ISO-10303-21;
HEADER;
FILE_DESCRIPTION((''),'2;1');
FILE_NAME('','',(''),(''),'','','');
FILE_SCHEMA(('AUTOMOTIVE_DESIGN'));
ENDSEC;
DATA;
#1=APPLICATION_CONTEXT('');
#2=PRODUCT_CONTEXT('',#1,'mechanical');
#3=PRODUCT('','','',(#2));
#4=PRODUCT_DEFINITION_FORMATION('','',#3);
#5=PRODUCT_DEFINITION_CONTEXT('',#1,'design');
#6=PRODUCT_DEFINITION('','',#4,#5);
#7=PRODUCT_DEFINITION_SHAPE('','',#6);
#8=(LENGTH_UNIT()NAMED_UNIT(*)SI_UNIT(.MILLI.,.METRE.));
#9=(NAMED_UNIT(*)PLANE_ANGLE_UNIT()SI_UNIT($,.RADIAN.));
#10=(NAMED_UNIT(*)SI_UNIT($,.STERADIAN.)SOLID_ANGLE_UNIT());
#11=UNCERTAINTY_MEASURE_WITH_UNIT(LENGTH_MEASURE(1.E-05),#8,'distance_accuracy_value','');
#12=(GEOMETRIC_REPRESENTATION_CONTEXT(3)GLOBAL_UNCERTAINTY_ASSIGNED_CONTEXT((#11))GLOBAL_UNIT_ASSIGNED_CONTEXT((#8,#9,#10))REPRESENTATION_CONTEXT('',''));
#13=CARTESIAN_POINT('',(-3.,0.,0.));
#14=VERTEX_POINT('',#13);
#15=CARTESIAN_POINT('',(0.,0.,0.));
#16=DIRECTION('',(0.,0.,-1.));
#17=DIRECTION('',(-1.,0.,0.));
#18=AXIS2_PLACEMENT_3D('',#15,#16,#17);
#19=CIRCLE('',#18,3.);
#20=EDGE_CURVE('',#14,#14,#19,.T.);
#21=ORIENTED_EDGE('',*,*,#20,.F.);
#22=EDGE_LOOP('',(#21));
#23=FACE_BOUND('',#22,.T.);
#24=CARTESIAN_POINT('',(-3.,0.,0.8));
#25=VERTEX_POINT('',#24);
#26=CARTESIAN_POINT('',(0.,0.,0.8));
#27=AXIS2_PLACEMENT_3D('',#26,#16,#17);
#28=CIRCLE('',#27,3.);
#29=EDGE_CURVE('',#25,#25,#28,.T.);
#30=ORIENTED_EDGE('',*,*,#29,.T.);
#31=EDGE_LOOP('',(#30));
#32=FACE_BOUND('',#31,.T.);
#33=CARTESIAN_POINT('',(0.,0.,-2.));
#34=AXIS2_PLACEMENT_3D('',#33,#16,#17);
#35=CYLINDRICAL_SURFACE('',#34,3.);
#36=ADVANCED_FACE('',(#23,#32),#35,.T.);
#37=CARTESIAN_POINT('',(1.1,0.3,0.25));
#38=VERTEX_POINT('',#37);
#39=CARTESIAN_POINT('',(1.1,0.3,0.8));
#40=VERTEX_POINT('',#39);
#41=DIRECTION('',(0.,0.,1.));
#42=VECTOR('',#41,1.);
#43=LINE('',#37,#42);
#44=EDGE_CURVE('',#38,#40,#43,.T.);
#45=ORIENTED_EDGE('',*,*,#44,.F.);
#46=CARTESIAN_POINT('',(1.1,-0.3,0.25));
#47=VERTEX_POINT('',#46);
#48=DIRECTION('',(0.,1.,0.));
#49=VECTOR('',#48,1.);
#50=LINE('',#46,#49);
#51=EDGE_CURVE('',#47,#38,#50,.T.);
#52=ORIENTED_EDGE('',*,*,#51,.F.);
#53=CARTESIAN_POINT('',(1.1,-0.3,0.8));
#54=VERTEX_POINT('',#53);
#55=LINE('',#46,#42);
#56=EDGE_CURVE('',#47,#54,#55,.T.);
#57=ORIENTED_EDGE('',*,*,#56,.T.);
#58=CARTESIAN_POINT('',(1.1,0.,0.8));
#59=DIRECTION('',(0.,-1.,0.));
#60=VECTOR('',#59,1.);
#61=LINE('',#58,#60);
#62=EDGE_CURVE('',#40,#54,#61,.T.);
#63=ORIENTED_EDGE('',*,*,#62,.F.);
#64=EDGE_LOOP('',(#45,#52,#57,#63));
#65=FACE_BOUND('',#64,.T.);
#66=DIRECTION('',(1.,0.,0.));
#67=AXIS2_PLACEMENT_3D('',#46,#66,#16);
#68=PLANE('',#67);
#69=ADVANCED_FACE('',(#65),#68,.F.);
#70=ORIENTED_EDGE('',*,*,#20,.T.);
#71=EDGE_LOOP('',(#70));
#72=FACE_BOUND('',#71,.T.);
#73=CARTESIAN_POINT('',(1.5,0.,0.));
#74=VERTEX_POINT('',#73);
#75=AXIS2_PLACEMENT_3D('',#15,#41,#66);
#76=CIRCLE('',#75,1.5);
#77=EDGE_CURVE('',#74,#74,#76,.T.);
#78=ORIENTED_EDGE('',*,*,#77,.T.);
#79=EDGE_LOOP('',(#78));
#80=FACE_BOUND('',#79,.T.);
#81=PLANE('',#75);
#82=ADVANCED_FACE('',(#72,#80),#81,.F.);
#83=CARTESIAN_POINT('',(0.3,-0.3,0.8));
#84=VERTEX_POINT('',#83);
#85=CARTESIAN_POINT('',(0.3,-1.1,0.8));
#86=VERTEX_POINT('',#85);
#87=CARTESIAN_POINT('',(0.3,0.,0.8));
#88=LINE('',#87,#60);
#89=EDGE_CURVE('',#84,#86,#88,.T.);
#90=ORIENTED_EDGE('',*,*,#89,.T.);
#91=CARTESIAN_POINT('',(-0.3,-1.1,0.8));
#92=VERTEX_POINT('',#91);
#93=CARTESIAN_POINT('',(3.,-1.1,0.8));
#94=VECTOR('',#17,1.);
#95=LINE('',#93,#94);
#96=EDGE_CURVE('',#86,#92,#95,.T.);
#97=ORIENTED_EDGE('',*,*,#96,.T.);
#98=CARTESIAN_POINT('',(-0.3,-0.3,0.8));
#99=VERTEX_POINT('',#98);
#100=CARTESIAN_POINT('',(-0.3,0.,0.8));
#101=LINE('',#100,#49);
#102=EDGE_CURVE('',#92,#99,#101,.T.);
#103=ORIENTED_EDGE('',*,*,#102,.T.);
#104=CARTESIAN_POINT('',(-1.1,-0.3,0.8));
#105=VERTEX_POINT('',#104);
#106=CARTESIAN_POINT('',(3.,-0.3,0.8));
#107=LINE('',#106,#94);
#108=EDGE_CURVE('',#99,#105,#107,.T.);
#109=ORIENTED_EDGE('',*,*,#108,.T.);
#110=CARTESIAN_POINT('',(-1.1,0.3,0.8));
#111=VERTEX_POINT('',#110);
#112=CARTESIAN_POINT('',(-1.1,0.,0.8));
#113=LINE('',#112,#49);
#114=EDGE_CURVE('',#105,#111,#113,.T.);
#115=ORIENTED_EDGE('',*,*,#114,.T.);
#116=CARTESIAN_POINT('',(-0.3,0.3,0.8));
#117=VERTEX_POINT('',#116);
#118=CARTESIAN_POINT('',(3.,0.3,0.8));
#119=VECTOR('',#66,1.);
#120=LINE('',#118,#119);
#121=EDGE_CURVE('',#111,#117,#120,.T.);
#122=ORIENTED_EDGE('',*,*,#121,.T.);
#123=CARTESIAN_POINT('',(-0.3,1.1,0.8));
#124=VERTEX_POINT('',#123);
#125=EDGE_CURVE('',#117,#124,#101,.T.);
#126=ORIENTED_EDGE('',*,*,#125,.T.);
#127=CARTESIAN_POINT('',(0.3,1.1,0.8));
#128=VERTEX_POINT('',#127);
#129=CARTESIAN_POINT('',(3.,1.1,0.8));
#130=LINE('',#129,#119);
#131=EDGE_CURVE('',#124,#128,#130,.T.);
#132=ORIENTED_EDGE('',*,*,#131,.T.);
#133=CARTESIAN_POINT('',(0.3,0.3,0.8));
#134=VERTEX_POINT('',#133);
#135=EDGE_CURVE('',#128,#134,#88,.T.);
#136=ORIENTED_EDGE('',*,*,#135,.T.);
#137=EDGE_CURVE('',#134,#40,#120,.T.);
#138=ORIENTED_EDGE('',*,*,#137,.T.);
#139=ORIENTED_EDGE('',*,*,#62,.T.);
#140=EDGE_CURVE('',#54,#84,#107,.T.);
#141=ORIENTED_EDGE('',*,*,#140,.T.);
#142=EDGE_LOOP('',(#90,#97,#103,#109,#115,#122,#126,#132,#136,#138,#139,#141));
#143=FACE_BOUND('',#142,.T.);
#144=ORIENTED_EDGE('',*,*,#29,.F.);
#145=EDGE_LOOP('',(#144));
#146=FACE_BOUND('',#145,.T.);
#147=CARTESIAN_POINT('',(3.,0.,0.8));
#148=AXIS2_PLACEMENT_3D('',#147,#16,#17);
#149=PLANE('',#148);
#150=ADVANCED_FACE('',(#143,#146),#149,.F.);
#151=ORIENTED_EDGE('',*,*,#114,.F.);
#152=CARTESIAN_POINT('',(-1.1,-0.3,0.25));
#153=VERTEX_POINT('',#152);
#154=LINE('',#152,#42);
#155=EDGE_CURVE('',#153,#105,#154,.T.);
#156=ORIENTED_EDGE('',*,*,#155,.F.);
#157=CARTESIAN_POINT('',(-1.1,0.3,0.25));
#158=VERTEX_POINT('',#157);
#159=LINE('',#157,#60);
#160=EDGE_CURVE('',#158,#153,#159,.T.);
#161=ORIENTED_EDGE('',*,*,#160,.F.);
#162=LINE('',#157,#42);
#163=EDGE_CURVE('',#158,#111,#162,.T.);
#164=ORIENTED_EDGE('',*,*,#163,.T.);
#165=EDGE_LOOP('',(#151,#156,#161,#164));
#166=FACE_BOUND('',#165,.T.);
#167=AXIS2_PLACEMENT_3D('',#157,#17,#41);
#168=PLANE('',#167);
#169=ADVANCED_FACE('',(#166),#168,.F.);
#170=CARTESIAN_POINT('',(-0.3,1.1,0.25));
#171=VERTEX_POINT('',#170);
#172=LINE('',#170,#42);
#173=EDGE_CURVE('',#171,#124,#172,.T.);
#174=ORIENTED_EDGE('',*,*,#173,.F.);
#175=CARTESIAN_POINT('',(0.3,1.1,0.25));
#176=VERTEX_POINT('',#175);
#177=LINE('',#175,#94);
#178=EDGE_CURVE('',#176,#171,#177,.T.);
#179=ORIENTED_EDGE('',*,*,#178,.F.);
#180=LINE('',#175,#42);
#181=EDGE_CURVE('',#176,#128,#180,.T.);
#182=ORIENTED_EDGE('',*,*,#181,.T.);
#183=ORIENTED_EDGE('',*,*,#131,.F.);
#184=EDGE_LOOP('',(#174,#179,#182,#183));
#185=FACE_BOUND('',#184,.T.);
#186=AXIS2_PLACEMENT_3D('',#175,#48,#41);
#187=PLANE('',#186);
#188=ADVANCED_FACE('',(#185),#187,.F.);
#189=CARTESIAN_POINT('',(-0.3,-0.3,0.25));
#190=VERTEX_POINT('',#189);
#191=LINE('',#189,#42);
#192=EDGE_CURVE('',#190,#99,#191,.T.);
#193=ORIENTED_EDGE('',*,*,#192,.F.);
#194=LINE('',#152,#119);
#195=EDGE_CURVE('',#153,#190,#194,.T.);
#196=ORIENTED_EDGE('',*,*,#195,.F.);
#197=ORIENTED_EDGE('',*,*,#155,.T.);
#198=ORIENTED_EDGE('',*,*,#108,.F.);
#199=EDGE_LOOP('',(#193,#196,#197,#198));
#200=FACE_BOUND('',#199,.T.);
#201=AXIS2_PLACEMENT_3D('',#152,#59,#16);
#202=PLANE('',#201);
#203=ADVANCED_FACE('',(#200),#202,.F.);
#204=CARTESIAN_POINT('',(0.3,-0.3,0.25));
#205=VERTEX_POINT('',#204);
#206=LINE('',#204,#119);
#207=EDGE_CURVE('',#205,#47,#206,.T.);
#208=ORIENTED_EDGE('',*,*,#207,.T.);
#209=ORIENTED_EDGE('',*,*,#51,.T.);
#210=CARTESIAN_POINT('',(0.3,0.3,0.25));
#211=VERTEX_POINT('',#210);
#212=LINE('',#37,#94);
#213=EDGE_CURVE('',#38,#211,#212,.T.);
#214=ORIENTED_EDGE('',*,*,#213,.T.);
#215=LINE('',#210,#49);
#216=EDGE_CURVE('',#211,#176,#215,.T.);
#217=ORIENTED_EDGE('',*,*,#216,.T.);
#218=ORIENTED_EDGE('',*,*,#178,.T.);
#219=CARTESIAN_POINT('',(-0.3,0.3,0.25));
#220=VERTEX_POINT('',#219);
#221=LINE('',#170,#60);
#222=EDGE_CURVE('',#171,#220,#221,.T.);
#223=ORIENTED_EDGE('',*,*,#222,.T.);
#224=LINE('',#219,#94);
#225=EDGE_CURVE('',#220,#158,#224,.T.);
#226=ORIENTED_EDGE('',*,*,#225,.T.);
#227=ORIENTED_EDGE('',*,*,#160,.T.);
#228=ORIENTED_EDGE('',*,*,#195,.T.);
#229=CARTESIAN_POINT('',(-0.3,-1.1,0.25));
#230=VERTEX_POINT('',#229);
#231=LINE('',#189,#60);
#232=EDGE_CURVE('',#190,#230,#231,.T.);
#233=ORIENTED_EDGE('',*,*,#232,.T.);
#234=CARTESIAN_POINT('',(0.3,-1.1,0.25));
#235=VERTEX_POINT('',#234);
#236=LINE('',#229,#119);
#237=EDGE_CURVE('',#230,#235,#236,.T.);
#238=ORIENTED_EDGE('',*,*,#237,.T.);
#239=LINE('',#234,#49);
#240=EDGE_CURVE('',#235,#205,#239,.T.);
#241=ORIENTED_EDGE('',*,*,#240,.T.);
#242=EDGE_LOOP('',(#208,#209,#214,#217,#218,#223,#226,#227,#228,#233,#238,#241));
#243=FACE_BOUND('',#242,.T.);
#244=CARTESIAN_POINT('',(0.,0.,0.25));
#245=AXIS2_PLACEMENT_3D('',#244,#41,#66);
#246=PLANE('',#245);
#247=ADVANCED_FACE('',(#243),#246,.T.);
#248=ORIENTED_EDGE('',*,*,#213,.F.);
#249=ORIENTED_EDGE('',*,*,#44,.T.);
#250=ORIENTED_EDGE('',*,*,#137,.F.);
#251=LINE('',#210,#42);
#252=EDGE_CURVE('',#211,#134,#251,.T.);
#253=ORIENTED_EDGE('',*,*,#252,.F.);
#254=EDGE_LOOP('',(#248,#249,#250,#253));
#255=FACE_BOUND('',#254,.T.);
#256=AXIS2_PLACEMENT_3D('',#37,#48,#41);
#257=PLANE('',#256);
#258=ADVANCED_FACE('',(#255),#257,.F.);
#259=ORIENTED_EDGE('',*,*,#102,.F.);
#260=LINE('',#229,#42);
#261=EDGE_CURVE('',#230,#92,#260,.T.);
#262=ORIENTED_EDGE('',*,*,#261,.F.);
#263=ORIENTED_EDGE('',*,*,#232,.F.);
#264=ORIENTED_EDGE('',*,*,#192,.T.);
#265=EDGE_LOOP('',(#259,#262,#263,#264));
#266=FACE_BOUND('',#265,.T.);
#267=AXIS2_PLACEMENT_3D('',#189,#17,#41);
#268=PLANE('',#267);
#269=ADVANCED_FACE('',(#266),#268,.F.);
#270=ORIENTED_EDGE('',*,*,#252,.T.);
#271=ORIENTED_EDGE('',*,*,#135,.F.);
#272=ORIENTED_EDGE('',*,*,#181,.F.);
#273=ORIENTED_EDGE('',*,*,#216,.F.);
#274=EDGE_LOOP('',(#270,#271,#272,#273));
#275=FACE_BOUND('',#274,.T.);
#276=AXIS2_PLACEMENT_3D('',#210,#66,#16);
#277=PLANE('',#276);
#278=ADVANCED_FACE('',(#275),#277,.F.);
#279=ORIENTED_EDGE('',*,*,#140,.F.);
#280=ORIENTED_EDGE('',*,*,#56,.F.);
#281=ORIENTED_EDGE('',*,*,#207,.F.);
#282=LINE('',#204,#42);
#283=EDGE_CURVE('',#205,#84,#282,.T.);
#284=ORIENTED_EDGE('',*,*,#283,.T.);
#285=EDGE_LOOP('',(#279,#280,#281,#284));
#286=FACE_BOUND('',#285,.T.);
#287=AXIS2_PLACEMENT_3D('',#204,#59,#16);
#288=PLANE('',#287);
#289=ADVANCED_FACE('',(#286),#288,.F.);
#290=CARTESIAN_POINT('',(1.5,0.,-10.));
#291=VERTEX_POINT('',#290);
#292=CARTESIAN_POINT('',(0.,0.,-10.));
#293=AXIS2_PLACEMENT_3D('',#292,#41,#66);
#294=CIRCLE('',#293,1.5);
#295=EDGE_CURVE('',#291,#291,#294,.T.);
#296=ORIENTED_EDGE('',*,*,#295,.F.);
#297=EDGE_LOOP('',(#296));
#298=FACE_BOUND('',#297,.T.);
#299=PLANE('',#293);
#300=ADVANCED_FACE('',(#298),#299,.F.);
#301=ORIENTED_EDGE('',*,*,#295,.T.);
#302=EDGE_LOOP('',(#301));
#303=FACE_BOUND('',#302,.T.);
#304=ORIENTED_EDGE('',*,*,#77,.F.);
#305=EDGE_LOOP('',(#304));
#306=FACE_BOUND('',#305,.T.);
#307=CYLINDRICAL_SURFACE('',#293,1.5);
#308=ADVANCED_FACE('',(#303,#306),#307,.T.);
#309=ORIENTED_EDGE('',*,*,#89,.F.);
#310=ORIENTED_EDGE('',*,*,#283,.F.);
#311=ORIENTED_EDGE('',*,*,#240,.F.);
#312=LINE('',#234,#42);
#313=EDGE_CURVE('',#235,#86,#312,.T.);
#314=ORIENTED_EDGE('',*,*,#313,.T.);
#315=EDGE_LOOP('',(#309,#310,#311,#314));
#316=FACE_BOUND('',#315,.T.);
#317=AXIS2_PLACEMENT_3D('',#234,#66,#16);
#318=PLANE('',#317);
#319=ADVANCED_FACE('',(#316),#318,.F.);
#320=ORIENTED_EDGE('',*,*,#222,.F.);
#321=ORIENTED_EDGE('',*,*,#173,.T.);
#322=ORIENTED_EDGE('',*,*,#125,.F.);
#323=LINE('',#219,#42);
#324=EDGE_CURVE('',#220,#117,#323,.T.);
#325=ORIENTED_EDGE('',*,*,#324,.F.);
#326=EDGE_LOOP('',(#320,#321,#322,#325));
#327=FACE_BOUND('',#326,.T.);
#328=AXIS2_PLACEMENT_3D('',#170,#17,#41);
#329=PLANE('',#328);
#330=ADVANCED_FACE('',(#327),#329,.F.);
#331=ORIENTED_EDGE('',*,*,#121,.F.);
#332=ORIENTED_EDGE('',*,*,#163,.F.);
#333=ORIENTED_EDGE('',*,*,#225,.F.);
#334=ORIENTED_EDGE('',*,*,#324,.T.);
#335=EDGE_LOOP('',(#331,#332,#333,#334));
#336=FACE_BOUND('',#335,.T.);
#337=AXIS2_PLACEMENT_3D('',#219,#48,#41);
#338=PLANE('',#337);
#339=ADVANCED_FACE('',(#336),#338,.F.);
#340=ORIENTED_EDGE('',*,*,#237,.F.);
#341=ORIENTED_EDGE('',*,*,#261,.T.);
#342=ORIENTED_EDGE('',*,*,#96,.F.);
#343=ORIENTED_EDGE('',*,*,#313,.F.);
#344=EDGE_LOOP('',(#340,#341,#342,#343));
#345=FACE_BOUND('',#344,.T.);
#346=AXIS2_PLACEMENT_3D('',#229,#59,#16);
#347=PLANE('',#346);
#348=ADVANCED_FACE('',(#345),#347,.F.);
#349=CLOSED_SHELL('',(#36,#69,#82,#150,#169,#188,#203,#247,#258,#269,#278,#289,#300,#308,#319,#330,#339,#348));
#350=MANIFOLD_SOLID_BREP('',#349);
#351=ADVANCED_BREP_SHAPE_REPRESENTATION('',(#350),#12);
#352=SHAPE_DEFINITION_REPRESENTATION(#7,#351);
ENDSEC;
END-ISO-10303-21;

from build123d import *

# Parameters (mm, degrees)
SKETCH_1_R        = 1.5
EXTRUDE_198_DEPTH = 10
SKETCH_6_W        = 3
SKETCH_6_H        = 0.8
PH1_START         = 0.81
PH1_DEPTH         = 0.56


with BuildPart() as part:
    # 草图1 → Extrude 198 (new body)
    with BuildSketch(Plane.XY):
        Circle(SKETCH_1_R)
    extrude(amount=-EXTRUDE_198_DEPTH)

    # 草图6 → Revolve 324 (revolve)
    with BuildSketch(Plane(origin=(0, 0, 0), x_dir=(1, 0, 0), z_dir=(0, 1, 0)), mode=Mode.PRIVATE) as revolve_324_sk:
        with Locations((1.5, -0.4)):
            Rectangle(SKETCH_6_W, SKETCH_6_H)
    revolve(revolve_324_sk.sketch.rotate(Axis((0, 0, -2), (0, 0, 1)), 180), axis=Axis((0, 0, -2), (0, 0, 1)))

    # 草图7 → 十字槽_PH1_简化 (cut)
    with BuildSketch(Plane.XY.offset(PH1_START)):
        Polygon((-0.3, -1.1), (0.3, -1.1), (0.3, -0.3), (1.1, -0.3), (1.1, 0.3), (0.3, 0.3), (0.3, 1.1), (-0.3, 1.1), (-0.3, 0.3), (-1.1, 0.3), (-1.1, -0.3), (-0.3, -0.3), align=None)
    extrude(amount=-PH1_DEPTH, mode=Mode.SUBTRACT)


solid = part.part
